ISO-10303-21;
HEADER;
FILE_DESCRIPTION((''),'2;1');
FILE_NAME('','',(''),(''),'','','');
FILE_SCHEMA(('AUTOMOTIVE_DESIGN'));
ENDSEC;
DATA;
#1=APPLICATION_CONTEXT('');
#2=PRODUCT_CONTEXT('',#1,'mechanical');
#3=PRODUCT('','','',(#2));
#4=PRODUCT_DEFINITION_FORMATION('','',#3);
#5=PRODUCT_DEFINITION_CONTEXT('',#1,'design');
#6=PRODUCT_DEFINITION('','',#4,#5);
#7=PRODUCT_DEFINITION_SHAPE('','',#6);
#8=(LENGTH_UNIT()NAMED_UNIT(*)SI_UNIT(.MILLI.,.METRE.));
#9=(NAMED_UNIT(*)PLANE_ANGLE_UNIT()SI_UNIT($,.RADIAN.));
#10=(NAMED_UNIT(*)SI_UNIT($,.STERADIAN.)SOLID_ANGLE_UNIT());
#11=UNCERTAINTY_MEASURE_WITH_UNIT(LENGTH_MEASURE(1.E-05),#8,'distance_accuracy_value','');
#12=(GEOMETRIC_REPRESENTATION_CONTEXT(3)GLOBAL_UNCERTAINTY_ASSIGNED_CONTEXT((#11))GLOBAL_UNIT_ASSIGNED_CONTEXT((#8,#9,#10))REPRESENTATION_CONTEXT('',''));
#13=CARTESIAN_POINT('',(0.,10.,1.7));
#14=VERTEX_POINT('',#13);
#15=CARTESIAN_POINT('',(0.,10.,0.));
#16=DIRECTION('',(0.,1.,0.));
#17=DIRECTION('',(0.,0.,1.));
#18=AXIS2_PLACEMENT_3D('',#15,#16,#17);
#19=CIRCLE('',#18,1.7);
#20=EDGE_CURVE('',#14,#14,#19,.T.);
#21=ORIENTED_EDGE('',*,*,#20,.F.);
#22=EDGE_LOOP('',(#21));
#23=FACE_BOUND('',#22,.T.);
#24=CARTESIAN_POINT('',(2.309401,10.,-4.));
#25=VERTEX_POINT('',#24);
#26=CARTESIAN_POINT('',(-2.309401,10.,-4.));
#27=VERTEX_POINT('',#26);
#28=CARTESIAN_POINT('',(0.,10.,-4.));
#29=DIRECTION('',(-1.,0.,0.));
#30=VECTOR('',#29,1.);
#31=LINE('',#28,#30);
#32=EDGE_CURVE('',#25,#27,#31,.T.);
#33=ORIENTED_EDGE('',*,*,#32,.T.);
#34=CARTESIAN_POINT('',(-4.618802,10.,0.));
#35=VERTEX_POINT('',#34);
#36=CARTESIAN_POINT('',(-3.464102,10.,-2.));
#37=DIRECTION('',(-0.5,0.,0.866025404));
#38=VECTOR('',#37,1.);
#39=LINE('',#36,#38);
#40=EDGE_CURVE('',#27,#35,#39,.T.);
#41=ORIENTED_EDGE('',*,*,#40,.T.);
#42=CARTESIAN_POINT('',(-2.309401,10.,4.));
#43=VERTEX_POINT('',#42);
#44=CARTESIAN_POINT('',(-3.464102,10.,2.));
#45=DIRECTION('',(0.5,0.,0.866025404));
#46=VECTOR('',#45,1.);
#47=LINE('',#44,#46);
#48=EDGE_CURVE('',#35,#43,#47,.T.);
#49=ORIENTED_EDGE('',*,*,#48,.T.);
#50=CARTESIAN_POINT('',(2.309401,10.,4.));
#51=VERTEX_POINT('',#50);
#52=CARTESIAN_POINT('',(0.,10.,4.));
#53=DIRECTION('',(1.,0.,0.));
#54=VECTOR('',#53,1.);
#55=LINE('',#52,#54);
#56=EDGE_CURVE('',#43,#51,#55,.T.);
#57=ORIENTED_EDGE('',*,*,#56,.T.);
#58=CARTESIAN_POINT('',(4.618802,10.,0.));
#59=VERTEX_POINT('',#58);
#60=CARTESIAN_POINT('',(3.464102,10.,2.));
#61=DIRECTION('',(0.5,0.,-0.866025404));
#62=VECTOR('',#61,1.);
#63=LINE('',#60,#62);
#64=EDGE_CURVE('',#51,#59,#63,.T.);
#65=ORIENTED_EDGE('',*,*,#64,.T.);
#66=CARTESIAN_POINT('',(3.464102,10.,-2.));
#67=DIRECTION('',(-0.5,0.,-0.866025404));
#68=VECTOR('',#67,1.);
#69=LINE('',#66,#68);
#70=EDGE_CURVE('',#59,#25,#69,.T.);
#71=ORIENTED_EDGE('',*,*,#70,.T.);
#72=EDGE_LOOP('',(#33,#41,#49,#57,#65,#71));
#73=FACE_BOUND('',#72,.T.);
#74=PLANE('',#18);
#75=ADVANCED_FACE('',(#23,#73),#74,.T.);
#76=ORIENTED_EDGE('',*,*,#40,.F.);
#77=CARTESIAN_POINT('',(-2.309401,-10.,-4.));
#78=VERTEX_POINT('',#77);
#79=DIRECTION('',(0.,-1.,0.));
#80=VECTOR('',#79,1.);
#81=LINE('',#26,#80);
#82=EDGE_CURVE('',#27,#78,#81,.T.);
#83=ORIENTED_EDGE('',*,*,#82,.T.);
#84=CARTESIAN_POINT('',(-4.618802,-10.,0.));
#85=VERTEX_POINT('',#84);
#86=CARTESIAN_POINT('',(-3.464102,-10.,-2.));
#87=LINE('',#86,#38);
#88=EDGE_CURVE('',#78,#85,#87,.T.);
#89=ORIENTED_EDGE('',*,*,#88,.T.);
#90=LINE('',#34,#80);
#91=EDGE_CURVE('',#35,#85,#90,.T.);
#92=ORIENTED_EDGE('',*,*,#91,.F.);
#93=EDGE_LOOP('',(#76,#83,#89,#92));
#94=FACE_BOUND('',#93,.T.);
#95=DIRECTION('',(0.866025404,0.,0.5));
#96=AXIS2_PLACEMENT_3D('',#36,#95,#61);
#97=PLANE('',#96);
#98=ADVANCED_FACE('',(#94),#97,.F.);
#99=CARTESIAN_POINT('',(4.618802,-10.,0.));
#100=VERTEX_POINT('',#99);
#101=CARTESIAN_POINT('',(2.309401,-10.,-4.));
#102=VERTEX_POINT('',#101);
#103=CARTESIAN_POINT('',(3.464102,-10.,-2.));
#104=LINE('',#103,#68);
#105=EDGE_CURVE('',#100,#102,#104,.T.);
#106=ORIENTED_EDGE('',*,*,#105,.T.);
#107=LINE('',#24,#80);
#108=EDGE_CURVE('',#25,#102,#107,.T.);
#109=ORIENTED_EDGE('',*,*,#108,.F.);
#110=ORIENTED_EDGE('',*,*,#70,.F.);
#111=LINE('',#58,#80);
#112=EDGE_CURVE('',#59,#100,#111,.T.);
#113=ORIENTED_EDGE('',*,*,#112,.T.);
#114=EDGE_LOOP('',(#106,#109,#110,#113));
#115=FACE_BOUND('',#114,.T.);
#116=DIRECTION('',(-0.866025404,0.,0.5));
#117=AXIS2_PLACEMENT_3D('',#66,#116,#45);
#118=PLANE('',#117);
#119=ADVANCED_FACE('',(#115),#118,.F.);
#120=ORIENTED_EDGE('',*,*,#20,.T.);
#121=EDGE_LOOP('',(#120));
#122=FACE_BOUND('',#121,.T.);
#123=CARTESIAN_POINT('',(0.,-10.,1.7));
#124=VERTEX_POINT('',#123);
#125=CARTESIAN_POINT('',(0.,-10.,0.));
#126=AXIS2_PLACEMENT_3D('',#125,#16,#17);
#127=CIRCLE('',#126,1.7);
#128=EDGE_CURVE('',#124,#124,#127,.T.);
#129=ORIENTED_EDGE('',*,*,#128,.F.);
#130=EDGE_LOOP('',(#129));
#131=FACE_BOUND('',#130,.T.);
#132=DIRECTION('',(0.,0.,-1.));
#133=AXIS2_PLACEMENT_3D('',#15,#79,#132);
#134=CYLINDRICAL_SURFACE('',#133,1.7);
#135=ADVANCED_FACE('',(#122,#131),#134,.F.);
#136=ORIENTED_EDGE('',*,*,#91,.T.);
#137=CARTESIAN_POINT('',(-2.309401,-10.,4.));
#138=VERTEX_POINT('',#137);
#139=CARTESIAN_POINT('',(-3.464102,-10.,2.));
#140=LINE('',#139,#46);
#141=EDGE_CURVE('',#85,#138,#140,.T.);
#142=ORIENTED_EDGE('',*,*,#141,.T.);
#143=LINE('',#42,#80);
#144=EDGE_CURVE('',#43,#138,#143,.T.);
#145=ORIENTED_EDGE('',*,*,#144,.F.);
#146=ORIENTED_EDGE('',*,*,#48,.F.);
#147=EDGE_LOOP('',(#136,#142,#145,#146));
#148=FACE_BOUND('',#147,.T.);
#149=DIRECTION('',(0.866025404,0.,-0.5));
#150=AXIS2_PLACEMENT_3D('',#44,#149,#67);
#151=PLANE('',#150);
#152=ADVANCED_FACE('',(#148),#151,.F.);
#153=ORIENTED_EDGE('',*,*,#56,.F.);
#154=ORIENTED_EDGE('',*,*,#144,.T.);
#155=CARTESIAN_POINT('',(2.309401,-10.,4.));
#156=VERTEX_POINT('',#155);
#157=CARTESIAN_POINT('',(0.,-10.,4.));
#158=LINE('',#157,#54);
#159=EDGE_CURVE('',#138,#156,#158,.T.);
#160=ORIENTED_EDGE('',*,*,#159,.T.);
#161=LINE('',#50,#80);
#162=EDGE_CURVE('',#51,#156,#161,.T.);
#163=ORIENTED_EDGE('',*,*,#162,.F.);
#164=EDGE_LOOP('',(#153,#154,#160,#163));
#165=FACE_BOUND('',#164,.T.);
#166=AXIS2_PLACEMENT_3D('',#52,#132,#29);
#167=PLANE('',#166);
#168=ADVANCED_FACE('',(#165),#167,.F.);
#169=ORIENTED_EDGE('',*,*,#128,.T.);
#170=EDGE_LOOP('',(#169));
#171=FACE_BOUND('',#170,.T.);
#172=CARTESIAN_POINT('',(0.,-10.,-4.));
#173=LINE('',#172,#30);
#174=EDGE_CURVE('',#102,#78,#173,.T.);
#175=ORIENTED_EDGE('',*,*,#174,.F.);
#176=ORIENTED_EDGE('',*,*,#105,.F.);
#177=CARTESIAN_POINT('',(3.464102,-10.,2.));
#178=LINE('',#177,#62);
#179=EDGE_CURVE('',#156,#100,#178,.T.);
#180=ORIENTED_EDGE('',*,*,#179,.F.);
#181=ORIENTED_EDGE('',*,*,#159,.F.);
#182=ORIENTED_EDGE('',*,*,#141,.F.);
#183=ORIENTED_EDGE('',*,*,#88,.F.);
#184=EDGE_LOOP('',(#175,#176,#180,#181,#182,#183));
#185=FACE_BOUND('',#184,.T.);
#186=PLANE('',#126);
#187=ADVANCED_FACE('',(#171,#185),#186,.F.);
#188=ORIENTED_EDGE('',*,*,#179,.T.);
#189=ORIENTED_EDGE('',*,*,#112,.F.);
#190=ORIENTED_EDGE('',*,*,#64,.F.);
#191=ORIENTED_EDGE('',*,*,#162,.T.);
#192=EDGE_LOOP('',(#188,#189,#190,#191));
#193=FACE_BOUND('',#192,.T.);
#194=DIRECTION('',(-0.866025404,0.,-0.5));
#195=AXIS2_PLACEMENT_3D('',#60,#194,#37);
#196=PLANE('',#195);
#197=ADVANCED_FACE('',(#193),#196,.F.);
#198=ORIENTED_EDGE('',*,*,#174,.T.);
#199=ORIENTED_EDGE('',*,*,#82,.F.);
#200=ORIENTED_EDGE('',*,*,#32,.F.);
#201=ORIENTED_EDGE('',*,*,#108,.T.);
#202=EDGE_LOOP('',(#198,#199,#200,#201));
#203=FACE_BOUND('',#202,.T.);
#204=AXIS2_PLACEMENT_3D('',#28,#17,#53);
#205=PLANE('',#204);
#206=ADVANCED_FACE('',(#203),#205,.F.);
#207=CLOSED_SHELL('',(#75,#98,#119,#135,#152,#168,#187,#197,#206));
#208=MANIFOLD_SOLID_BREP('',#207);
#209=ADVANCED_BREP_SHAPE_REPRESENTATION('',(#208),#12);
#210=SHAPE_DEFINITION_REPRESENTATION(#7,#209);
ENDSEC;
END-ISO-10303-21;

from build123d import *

# Parameters (mm, degrees)
CROQUIS1_R              = 1.7
SALIENTE_EXTRUIR1_DEPTH = 10


with BuildPart() as part:
    # Croquis1 → Saliente-Extruir1 (new, symmetric)
    with BuildSketch(Plane(origin=(0, 0, 0), x_dir=(1, 0, 0), z_dir=(0, 1, 0))):
        Polygon((-2.309401077, -4), (2.309401077, -4), (4.618802154, 0), (2.309401077, 4), (-2.309401077, 4), (-4.618802154, 0), align=None)
        with Locations(Location((0, 0, 0), (0, 0, 270))):
            Circle(CROQUIS1_R, mode=Mode.SUBTRACT)
    extrude(amount=SALIENTE_EXTRUIR1_DEPTH, both=True)


solid = part.part
